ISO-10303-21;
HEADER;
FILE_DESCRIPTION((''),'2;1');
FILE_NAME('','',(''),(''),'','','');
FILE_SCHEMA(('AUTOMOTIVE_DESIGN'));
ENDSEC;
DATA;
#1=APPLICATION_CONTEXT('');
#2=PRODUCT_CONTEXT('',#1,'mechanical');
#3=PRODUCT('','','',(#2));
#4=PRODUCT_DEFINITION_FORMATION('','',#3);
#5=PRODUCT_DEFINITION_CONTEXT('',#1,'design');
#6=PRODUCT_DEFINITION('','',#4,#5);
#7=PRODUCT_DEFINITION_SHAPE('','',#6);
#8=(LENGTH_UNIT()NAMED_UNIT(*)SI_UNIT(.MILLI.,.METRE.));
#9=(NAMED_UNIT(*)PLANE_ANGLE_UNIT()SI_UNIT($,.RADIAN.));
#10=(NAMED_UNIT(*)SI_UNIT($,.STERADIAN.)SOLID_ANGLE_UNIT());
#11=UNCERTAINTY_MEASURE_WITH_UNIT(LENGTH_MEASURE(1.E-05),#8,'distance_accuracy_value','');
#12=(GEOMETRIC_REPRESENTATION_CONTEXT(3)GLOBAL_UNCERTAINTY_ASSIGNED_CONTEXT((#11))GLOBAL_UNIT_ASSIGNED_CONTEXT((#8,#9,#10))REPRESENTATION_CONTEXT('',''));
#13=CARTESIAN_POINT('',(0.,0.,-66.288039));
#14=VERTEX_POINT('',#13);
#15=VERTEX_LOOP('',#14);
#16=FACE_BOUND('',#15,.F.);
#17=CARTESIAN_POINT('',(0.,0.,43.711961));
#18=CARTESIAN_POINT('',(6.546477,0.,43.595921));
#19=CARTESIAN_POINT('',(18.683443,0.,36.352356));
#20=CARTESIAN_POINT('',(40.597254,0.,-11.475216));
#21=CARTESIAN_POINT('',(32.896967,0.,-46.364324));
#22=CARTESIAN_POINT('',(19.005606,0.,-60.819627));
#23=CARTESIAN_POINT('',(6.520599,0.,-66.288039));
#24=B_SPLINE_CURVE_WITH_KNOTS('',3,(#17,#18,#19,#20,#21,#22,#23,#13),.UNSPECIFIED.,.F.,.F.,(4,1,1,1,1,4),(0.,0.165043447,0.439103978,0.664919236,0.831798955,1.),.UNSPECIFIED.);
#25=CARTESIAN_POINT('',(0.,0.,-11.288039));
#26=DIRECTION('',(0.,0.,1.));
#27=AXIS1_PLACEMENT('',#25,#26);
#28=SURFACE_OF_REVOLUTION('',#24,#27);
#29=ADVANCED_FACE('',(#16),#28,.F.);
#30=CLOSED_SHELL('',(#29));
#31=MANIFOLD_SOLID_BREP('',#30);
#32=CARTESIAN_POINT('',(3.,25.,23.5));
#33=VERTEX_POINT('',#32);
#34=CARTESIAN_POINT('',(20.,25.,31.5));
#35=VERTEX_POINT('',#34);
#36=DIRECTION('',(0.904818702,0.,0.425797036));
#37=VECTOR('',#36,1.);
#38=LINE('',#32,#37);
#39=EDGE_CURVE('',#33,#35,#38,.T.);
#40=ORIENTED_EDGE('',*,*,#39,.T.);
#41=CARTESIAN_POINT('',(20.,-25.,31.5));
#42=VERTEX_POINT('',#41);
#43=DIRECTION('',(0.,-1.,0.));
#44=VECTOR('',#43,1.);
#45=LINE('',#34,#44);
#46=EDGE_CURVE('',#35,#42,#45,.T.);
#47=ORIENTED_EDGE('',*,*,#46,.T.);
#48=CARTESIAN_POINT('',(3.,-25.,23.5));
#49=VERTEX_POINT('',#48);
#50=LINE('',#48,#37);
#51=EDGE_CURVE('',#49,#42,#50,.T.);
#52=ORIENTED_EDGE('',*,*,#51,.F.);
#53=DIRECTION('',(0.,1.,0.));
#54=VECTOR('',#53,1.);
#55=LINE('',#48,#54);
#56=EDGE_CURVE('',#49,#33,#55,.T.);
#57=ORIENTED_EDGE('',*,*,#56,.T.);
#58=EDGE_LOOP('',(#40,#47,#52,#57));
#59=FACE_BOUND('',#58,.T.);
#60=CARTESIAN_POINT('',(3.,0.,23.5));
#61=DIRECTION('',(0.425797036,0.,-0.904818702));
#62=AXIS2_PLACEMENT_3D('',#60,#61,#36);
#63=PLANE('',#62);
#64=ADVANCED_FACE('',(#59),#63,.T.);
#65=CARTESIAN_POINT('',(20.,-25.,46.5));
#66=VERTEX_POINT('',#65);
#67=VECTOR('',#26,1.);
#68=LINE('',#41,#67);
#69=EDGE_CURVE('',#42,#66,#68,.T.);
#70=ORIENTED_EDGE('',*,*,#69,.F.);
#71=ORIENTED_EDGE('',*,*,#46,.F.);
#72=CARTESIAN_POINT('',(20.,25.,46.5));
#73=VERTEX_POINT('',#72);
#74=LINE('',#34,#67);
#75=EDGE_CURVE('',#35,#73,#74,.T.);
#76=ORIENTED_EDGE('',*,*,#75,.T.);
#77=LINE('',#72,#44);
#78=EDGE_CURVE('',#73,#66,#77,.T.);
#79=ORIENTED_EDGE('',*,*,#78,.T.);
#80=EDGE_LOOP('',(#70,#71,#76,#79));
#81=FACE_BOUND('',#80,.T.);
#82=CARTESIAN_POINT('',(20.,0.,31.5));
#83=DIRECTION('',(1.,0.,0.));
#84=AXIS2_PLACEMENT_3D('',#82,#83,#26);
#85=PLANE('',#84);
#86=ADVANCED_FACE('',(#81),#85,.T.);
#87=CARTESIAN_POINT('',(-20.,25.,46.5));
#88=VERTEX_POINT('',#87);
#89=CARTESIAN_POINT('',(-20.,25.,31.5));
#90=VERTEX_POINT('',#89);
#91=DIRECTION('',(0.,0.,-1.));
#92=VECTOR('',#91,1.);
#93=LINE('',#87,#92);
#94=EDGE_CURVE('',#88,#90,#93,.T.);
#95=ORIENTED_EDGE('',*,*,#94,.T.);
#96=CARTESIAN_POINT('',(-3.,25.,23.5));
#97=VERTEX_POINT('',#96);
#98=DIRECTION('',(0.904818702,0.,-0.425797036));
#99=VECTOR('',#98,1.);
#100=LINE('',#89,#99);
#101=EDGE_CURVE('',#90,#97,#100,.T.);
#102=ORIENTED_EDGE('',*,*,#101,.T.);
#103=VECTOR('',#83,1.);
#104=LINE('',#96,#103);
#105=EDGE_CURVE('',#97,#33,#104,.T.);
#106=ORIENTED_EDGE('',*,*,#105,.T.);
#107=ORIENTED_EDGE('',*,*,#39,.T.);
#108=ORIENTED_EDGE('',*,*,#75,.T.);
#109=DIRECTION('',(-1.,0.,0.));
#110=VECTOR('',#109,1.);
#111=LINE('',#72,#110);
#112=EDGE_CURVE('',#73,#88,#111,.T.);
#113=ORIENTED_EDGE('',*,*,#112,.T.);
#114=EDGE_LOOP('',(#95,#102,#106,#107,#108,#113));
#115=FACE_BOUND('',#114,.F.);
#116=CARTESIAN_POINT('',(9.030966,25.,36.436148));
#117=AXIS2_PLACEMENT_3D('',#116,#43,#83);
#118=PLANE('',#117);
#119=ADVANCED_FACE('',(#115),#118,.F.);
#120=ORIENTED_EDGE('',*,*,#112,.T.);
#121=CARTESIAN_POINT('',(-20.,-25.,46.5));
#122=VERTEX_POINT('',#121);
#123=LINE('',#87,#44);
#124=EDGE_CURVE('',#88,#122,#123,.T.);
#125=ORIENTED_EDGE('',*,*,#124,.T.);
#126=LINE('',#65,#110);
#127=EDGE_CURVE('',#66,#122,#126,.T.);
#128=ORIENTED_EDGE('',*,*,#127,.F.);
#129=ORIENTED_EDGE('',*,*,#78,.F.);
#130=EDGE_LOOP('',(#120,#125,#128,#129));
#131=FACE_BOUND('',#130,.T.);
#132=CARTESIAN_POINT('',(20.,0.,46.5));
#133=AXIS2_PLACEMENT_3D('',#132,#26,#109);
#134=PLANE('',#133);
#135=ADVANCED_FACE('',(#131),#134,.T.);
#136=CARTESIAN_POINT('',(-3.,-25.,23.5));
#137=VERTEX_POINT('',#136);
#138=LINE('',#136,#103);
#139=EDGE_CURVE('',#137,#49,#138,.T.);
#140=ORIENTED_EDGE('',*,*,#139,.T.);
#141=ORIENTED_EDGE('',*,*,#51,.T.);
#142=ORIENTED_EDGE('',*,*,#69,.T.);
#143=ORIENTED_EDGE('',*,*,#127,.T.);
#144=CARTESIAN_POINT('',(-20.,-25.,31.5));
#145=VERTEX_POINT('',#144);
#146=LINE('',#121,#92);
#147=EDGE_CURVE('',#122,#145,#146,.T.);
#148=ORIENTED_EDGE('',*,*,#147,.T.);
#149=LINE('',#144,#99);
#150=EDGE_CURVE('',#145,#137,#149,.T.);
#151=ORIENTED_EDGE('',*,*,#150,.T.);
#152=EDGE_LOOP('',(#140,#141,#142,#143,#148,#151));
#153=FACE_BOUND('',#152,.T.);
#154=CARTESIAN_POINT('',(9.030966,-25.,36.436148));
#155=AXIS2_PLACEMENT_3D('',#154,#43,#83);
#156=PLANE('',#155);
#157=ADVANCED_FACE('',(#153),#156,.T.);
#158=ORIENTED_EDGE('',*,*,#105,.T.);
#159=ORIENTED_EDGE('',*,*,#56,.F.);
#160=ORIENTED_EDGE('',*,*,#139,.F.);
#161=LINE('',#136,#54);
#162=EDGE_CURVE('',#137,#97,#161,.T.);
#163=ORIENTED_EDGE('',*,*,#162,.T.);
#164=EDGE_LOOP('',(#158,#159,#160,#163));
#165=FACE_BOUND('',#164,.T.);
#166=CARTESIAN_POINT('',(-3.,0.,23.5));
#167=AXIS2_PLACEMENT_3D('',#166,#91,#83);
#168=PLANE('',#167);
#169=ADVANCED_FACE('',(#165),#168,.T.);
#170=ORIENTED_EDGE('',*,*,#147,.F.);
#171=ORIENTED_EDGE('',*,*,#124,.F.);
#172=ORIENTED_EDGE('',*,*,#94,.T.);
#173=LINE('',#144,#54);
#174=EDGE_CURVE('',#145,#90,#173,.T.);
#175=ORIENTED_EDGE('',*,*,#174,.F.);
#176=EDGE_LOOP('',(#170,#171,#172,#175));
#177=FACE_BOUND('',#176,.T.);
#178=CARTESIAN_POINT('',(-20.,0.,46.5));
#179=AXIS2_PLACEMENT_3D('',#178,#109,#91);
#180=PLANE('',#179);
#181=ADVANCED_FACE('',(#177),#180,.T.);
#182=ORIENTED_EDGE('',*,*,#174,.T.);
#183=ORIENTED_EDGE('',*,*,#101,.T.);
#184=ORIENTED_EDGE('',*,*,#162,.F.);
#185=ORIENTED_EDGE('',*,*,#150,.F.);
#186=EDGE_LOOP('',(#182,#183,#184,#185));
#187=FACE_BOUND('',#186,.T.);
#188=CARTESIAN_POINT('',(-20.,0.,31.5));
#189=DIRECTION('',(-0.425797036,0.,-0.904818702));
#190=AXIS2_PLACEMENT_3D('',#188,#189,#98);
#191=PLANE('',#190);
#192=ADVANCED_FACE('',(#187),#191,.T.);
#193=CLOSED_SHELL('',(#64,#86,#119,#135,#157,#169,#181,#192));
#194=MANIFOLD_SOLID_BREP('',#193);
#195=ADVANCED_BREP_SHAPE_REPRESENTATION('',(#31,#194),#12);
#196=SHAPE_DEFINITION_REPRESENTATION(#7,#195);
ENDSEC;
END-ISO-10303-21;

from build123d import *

# Parameters (mm, degrees)
F3_DEPTH      = 25
F3_DEPTH_BACK = 25


with BuildPart() as f1:
    # F0 (on Front) → F1 (revolve)
    with BuildSketch(Plane.XZ):
        with BuildLine():
            add(Edge.make_bspline(
                [(0, 43.7119613894), (6.5464770588, 43.5959207861), (18.6834430675, 36.3523562112), (40.5972535224, -11.4752158169), (32.8969671474, -46.3643235265), (19.0056056037, -60.8196266846), (6.5205989173, -66.2880386106), (0, -66.2880386106)],
                knots=[0, 0, 0, 0, 0.1650434466, 0.439103978, 0.6649192361, 0.8317989551, 1, 1, 1, 1], degree=3))
            Line((0, 43.7119613894), (0, -66.2880386106))
        make_face()
    revolve(axis=Axis((0, 0, -11.2880386106), (0, 0, 1)))


with BuildPart() as f3:
    # F2 (on Front) → F3 (new body, two sides)
    with BuildSketch(Plane.XZ) as f3_sk:
        Polygon((0, 46.5), (0, 23.5), (3, 23.5), (20, 31.5), (20, 46.5), align=None)
        Polygon((-3, 23.5), (0, 23.5), (0, 46.5), (-20, 46.5), (-20, 31.5), align=None)
    extrude(amount=F3_DEPTH)
    extrude(f3_sk.sketch, amount=-F3_DEPTH_BACK)


solid = Compound([f1.part, f3.part])
